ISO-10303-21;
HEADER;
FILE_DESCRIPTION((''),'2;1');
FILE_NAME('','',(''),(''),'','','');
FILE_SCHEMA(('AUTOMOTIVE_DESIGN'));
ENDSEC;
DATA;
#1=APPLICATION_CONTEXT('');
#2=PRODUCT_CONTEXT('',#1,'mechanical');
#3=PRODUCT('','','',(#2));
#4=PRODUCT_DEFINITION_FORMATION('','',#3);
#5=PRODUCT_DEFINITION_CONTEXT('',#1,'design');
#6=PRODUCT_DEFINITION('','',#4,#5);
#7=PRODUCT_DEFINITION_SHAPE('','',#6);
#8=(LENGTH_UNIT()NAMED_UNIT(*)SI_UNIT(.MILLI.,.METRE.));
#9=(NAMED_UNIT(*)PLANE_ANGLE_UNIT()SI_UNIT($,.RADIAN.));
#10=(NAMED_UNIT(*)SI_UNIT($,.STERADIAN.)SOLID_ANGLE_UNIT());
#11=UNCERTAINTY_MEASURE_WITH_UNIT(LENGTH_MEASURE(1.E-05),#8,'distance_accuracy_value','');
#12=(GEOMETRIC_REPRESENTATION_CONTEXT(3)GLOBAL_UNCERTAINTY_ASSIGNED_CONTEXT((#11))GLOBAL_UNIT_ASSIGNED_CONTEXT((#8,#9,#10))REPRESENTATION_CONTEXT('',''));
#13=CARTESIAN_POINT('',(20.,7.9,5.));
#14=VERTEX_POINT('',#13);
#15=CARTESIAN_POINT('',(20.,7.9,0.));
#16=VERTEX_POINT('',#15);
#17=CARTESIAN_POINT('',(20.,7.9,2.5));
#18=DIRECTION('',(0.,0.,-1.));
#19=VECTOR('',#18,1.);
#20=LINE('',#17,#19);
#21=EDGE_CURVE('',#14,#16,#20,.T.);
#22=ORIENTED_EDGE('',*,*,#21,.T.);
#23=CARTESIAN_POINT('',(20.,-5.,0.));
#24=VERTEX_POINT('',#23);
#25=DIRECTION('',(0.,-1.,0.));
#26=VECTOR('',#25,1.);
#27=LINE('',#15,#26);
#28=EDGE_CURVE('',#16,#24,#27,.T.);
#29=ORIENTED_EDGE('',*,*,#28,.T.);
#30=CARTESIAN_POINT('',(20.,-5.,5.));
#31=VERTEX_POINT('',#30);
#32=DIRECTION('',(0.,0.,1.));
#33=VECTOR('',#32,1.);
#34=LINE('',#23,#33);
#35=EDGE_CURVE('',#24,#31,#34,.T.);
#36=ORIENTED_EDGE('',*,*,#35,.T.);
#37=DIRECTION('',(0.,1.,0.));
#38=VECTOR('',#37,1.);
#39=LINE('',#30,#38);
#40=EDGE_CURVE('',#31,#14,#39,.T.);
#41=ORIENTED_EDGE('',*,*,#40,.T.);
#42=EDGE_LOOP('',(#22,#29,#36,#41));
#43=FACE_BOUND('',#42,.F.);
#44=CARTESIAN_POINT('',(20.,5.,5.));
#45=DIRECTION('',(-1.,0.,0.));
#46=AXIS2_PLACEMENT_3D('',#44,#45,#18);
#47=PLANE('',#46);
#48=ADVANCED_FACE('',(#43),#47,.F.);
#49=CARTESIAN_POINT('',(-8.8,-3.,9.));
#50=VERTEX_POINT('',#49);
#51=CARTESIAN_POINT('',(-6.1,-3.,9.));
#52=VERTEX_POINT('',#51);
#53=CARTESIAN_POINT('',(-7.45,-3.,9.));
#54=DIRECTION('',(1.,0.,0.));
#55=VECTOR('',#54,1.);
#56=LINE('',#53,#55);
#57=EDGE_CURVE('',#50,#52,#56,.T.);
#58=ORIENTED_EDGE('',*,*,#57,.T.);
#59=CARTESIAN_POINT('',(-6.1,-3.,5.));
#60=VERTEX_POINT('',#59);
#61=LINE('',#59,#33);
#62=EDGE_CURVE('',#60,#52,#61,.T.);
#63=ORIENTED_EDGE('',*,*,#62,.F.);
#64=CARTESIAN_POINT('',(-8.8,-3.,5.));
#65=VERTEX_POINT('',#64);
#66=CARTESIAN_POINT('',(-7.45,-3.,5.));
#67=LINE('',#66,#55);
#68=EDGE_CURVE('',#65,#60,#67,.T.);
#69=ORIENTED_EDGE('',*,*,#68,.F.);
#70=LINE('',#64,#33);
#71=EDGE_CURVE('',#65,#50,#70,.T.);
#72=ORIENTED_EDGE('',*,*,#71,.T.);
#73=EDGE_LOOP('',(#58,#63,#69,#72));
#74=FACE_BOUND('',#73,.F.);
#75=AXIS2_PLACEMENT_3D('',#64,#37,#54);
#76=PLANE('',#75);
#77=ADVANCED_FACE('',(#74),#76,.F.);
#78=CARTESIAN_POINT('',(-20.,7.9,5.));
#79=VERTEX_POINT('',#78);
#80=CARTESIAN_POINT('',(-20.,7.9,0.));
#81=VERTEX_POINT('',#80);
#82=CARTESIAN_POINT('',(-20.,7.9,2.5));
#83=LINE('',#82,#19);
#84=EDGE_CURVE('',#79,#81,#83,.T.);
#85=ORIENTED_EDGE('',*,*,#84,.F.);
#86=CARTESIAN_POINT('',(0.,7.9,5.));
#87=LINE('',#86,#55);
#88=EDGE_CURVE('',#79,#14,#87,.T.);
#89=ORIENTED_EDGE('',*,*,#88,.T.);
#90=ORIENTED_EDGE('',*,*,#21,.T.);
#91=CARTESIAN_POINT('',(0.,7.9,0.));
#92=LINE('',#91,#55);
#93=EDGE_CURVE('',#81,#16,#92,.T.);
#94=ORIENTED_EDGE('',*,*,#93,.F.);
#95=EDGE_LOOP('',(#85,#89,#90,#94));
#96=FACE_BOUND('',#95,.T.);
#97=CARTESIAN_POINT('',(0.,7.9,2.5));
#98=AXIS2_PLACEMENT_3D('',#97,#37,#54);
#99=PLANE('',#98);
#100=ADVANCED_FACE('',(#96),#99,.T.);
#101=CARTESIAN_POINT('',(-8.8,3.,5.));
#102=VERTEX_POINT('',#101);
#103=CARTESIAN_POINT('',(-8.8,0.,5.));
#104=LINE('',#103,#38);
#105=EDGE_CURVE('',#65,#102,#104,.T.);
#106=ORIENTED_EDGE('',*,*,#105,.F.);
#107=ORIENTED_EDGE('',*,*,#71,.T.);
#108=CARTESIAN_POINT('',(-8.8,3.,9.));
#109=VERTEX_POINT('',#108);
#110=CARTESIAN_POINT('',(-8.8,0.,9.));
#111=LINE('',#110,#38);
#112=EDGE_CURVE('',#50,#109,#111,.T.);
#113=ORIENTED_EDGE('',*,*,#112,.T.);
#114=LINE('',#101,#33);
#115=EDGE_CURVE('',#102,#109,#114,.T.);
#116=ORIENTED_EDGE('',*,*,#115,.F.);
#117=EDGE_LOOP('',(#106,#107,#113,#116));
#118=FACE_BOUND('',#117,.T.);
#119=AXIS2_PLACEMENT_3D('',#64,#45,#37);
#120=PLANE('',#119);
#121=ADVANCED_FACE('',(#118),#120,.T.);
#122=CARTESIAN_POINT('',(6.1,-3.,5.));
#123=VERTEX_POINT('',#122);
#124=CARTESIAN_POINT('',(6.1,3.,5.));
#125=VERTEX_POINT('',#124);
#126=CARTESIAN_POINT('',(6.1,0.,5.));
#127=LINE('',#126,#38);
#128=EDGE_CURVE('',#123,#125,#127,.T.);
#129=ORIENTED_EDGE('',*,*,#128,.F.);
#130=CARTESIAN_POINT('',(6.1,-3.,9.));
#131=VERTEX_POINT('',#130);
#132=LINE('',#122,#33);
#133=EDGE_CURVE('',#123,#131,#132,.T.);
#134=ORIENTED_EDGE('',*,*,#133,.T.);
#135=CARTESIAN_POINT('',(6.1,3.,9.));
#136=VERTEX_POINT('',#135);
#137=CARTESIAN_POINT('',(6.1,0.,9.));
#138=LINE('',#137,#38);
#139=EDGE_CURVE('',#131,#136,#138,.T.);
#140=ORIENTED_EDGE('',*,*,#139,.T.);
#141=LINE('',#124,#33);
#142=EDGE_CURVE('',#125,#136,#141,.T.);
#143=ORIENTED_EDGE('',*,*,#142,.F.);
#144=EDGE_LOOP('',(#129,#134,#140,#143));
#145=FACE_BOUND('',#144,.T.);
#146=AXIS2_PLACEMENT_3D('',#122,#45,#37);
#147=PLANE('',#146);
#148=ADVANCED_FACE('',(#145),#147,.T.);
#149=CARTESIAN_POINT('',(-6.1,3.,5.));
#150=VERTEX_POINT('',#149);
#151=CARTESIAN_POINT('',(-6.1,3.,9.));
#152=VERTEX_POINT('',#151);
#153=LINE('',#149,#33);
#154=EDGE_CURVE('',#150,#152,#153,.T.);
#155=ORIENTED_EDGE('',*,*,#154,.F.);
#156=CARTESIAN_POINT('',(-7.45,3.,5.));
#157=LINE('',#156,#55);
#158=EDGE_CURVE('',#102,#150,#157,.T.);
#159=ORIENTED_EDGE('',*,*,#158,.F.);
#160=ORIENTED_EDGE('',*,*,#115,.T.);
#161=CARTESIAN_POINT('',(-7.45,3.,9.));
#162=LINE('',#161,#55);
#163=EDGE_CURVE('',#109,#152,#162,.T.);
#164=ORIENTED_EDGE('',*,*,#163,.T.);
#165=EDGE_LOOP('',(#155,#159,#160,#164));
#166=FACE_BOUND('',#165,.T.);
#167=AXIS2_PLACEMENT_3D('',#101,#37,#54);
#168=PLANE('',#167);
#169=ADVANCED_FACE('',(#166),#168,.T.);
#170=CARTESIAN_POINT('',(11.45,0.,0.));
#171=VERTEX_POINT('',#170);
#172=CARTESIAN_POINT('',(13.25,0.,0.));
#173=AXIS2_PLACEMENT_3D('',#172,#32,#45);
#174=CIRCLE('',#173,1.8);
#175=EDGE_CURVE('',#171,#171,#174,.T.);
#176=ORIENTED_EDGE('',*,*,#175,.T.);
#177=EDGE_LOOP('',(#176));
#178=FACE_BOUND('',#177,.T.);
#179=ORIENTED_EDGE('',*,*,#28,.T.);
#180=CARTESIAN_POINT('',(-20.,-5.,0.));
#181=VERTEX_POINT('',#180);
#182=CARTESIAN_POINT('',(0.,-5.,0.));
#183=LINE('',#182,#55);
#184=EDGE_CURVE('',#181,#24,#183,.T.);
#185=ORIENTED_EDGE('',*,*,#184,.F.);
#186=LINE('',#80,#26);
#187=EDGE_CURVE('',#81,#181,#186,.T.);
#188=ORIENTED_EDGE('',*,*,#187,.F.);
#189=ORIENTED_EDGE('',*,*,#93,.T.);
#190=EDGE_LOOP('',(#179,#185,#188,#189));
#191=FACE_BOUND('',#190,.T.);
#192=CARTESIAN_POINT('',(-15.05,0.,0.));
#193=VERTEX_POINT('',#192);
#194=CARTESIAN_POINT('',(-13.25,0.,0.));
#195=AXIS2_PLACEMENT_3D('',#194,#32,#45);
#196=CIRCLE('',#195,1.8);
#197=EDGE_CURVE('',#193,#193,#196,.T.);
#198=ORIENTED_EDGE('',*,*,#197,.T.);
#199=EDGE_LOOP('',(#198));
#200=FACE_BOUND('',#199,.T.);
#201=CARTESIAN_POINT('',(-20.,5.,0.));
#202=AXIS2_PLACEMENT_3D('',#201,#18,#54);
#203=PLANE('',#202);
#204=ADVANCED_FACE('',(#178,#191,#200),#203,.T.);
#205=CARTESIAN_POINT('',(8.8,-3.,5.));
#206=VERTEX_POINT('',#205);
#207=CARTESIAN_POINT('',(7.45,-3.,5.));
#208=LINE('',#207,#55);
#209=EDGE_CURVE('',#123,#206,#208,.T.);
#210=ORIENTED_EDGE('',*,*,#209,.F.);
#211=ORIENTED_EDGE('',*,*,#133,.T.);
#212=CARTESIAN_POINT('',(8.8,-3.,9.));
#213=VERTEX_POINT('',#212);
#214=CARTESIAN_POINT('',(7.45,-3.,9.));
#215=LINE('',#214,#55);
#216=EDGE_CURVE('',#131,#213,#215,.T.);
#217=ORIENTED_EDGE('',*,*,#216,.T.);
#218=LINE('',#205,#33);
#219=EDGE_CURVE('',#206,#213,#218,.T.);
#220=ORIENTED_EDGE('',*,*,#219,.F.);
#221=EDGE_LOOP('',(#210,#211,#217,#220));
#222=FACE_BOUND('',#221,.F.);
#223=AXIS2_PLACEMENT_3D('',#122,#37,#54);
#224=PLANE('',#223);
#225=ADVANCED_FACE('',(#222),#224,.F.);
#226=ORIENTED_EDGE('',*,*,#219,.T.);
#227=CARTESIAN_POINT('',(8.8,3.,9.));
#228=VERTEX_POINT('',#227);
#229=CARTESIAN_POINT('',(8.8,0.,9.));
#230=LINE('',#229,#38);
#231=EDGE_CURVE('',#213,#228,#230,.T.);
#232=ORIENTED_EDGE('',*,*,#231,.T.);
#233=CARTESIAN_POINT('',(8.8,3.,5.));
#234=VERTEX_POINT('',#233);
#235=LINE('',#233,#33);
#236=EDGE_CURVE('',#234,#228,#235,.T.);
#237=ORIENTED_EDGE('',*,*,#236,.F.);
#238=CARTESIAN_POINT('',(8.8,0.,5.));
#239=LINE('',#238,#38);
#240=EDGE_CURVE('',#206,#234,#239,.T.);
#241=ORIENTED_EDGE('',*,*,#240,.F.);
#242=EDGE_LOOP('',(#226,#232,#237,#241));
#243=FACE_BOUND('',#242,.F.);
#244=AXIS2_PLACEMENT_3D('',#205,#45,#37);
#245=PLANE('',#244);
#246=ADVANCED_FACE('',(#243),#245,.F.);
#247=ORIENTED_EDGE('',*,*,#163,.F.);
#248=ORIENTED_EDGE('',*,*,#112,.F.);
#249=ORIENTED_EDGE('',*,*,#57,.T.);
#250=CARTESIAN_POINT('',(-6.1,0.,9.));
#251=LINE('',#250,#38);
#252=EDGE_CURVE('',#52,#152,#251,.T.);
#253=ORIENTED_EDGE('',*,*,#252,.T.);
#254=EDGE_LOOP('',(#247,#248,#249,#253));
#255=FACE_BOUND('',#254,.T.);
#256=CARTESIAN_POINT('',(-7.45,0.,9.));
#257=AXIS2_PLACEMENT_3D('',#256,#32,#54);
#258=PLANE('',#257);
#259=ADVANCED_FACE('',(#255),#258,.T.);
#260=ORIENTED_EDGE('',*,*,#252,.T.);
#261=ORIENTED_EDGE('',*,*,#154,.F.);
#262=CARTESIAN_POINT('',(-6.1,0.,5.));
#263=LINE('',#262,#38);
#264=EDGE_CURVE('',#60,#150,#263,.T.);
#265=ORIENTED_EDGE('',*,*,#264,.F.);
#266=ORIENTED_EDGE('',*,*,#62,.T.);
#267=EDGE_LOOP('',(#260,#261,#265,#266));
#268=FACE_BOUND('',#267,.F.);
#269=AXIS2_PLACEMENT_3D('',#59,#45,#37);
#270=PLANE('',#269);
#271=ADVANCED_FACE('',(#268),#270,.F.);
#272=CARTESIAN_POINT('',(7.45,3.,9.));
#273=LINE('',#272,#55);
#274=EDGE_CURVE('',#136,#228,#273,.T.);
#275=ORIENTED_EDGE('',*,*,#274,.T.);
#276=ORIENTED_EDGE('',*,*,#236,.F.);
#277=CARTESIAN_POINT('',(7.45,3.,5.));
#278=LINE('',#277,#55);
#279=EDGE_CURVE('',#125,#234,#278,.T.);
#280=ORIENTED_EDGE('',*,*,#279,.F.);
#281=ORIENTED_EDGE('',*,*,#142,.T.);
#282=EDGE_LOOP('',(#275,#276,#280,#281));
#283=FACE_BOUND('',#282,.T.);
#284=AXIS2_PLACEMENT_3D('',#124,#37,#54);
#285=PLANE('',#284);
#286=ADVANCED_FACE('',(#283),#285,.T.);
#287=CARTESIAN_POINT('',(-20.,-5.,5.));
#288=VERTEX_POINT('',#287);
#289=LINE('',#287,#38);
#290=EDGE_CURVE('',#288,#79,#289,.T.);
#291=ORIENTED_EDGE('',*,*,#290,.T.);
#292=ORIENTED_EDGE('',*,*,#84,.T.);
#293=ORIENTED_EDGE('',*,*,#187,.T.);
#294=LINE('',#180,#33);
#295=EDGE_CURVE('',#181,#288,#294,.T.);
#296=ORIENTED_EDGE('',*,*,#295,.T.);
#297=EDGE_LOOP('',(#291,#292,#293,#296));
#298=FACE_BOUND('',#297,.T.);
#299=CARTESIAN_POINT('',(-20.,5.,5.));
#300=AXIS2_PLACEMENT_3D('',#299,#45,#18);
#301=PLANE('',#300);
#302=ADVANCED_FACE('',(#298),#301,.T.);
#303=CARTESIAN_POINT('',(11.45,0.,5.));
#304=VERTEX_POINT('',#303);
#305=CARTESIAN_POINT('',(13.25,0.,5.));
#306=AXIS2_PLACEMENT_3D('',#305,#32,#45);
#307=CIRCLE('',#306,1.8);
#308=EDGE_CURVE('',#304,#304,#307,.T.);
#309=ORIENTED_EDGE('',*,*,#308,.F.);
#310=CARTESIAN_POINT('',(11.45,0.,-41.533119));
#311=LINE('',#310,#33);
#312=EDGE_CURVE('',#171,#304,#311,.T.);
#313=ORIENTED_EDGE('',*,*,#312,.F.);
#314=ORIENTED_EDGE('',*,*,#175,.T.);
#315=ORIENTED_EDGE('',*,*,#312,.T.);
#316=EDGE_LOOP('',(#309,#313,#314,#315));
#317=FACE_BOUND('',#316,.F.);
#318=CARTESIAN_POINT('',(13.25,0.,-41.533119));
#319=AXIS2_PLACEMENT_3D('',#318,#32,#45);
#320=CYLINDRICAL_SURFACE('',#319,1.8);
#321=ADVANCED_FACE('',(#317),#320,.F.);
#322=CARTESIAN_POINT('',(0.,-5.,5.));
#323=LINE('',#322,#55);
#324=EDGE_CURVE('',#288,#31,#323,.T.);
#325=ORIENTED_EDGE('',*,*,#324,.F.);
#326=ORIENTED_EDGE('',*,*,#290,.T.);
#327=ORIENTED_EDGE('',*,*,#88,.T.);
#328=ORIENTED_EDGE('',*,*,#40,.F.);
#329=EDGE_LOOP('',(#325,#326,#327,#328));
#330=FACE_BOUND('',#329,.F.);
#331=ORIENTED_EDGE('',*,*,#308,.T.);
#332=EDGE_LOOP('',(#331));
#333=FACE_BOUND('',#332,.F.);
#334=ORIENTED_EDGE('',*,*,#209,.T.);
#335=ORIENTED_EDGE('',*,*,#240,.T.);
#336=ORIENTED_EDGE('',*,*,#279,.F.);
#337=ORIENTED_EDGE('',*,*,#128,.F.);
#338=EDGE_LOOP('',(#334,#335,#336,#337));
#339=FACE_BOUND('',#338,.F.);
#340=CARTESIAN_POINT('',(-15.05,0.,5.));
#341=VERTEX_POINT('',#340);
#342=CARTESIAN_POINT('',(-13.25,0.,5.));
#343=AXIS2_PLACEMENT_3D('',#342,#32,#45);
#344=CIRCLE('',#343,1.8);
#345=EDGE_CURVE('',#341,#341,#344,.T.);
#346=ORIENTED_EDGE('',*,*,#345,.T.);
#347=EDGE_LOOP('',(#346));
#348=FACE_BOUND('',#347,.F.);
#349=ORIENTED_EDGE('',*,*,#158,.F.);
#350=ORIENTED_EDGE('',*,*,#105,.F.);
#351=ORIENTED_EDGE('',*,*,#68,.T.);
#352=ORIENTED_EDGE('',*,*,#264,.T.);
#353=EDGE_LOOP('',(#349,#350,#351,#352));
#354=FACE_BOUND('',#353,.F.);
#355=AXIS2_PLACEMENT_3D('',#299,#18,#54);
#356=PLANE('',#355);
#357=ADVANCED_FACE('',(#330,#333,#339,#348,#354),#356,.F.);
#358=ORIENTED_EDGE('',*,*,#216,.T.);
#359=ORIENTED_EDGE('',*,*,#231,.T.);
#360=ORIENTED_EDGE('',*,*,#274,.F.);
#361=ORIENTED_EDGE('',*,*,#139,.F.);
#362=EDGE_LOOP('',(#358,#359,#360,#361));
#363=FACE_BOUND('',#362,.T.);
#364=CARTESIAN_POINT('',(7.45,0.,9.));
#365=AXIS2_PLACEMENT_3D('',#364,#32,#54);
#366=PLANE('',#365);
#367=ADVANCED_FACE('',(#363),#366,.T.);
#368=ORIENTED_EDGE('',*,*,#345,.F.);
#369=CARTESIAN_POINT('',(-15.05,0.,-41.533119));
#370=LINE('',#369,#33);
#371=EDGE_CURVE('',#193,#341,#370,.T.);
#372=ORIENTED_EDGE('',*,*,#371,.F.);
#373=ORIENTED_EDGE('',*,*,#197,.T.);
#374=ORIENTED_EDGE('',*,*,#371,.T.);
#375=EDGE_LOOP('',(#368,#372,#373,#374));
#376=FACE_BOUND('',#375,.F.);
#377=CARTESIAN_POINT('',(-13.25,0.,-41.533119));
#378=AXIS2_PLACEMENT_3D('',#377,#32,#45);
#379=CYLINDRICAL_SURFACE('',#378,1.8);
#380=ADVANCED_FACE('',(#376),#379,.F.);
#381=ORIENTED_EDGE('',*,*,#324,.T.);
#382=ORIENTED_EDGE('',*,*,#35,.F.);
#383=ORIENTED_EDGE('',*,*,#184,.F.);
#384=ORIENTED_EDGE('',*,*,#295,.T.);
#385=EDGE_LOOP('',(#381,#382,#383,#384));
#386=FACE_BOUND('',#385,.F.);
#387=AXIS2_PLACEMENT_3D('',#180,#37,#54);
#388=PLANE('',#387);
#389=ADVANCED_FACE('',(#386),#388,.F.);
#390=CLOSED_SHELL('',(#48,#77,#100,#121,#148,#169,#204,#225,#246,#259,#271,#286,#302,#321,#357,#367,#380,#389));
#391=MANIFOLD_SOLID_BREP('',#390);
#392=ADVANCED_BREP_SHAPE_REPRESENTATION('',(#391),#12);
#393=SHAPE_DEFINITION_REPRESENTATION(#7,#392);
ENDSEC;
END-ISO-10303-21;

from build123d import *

# Parameters (mm, degrees)
SKETCH1_W            = 40
SKETCH1_H            = 10
BOSS_EXTRUDE1_DEPTH  = 5
M3_CLEARANCE_HOLE1_D = 3.6
SKETCH4_W            = 2.7
SKETCH4_H            = 6
BOSS_EXTRUDE2_DEPTH  = 4
SKETCH5_W            = 40
SKETCH5_H            = 5
BOSS_EXTRUDE3_DEPTH  = 2.9


with BuildPart() as part:
    # Sketch1 → Boss-Extrude1 (new body)
    with BuildSketch(Plane.XY):
        Rectangle(SKETCH1_W, SKETCH1_H)
    extrude(amount=BOSS_EXTRUDE1_DEPTH)

    # M3 Clearance Hole1 (through all)
    with Locations(Plane(origin=(0, 0, 0), x_dir=(1, 0, 0), z_dir=(0, 0, -1))):
        with Locations((-13.25, 0), (13.25, 0)):
            Hole(M3_CLEARANCE_HOLE1_D / 2)

    # Sketch4 → Boss-Extrude2 (add)
    with BuildSketch(Plane.XY.offset(5)):
        with Locations((-7.45, 0)):
            Rectangle(SKETCH4_W, SKETCH4_H)
        with Locations((7.45, 0)):
            Rectangle(SKETCH4_W, SKETCH4_H)
    extrude(amount=BOSS_EXTRUDE2_DEPTH)

    # Sketch5 → Boss-Extrude3 (add)
    with BuildSketch(Plane(origin=(0, 5, 0), x_dir=(1, 0, 0), z_dir=(0, 1, 0))):
        with Locations((0, -2.5)):
            Rectangle(SKETCH5_W, SKETCH5_H)
    extrude(amount=BOSS_EXTRUDE3_DEPTH)


solid = part.part
